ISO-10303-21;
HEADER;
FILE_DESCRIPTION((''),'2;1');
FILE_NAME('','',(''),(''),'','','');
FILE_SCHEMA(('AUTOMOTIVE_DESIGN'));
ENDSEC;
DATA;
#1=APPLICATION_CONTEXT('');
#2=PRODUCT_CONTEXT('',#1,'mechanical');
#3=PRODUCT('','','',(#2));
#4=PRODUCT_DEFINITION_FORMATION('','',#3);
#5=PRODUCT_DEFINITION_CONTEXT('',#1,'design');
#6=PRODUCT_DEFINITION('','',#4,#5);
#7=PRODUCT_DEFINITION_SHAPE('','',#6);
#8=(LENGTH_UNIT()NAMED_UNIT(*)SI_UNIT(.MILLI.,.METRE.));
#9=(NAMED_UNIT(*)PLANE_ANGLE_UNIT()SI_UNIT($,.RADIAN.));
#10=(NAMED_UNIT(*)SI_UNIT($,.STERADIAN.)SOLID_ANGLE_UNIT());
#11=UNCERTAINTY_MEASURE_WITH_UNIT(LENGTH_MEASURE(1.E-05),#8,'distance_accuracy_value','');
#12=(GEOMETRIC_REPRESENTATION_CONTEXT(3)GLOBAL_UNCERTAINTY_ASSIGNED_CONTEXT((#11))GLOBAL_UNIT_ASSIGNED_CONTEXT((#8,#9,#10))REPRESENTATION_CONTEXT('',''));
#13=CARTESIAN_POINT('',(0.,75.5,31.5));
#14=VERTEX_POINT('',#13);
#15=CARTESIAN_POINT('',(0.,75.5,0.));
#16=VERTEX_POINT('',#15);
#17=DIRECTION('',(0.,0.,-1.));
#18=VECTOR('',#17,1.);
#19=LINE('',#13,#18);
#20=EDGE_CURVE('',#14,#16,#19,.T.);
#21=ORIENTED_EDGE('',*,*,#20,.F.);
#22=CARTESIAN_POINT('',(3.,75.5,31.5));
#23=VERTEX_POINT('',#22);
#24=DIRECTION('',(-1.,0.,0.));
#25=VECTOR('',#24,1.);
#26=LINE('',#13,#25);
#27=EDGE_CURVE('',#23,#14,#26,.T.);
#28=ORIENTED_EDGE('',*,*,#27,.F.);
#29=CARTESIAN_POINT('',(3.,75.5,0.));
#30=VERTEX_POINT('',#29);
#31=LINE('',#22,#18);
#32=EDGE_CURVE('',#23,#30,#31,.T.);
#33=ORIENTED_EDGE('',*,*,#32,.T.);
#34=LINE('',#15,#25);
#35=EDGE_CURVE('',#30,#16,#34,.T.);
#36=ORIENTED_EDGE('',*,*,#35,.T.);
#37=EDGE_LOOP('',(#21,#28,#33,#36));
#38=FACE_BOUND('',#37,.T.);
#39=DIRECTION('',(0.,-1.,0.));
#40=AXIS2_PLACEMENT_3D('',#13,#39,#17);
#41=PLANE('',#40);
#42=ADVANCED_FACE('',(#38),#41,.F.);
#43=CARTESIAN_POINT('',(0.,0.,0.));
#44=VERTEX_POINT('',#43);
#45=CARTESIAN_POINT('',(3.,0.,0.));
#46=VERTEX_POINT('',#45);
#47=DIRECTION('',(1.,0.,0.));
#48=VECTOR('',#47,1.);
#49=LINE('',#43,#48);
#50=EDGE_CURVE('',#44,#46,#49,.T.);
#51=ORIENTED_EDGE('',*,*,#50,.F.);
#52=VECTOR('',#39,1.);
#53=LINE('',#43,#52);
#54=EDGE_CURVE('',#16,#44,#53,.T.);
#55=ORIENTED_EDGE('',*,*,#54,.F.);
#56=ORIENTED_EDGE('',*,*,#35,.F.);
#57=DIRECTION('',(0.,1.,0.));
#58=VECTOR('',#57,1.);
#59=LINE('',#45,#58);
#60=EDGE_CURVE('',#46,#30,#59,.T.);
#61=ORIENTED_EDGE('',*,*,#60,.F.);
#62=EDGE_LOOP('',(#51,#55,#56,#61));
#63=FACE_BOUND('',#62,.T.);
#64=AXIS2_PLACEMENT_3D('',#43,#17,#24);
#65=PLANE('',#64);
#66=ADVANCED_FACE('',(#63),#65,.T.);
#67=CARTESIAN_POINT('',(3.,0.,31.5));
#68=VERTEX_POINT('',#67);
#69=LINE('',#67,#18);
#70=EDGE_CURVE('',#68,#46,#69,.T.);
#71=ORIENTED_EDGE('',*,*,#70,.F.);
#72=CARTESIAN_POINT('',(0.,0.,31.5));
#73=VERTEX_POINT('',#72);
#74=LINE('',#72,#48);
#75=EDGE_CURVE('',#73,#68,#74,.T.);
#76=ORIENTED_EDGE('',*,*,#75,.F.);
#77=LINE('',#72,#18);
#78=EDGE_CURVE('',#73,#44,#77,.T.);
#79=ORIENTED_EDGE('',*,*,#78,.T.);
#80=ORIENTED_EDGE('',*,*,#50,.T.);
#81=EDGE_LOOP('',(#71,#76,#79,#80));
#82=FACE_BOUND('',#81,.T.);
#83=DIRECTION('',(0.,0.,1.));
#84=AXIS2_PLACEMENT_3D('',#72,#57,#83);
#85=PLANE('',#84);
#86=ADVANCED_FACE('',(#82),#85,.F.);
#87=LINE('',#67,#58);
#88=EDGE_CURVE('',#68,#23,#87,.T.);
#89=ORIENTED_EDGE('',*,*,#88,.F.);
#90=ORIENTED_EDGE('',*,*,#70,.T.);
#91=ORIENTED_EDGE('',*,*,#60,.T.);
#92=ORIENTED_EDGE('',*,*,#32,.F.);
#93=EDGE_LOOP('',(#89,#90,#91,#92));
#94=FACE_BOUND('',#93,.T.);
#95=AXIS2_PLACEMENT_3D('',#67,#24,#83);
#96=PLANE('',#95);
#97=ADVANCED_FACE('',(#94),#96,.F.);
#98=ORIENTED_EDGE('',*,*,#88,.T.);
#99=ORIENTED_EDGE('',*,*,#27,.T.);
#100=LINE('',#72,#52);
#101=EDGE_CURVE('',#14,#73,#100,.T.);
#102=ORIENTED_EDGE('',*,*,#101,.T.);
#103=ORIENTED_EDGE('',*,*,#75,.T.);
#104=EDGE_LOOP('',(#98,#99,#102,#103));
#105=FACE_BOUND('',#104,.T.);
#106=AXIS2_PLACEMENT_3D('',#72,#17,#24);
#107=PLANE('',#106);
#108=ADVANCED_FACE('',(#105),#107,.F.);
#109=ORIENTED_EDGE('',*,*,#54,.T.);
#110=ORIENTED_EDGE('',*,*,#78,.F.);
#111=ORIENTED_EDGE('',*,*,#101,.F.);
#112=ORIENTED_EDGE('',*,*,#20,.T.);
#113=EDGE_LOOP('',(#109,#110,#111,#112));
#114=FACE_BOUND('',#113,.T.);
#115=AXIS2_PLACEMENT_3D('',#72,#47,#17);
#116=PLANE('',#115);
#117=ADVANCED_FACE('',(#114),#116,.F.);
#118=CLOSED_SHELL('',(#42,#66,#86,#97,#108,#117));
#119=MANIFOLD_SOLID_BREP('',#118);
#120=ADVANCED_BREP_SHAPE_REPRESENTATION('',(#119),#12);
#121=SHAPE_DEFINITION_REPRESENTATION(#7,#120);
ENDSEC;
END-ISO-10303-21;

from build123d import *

# Parameters (mm, degrees)
SKETCH_1_W                      = 3
SKETCH_1_H                      = 74
EXTRUDE_1_DEPTH                 = 31.5
SKETCH_2_W                      = 3
SKETCH_2_H                      = 1.5
SIDE_REAR_EXTENSION_1P5MM_DEPTH = 31.5


with BuildPart() as part:
    # Эскиз1 → Бобышка-Вытянуть1 (new body)
    with BuildSketch(Plane.XY):
        with Locations((1.5, 37)):
            Rectangle(SKETCH_1_W, SKETCH_1_H)
    extrude(amount=EXTRUDE_1_DEPTH)

    # Эскиз2 → side_rear_extension_1p5mm (add)
    with BuildSketch(Plane.XY):
        with Locations((1.5, 74.75)):
            Rectangle(SKETCH_2_W, SKETCH_2_H)
    extrude(amount=SIDE_REAR_EXTENSION_1P5MM_DEPTH)


solid = part.part
